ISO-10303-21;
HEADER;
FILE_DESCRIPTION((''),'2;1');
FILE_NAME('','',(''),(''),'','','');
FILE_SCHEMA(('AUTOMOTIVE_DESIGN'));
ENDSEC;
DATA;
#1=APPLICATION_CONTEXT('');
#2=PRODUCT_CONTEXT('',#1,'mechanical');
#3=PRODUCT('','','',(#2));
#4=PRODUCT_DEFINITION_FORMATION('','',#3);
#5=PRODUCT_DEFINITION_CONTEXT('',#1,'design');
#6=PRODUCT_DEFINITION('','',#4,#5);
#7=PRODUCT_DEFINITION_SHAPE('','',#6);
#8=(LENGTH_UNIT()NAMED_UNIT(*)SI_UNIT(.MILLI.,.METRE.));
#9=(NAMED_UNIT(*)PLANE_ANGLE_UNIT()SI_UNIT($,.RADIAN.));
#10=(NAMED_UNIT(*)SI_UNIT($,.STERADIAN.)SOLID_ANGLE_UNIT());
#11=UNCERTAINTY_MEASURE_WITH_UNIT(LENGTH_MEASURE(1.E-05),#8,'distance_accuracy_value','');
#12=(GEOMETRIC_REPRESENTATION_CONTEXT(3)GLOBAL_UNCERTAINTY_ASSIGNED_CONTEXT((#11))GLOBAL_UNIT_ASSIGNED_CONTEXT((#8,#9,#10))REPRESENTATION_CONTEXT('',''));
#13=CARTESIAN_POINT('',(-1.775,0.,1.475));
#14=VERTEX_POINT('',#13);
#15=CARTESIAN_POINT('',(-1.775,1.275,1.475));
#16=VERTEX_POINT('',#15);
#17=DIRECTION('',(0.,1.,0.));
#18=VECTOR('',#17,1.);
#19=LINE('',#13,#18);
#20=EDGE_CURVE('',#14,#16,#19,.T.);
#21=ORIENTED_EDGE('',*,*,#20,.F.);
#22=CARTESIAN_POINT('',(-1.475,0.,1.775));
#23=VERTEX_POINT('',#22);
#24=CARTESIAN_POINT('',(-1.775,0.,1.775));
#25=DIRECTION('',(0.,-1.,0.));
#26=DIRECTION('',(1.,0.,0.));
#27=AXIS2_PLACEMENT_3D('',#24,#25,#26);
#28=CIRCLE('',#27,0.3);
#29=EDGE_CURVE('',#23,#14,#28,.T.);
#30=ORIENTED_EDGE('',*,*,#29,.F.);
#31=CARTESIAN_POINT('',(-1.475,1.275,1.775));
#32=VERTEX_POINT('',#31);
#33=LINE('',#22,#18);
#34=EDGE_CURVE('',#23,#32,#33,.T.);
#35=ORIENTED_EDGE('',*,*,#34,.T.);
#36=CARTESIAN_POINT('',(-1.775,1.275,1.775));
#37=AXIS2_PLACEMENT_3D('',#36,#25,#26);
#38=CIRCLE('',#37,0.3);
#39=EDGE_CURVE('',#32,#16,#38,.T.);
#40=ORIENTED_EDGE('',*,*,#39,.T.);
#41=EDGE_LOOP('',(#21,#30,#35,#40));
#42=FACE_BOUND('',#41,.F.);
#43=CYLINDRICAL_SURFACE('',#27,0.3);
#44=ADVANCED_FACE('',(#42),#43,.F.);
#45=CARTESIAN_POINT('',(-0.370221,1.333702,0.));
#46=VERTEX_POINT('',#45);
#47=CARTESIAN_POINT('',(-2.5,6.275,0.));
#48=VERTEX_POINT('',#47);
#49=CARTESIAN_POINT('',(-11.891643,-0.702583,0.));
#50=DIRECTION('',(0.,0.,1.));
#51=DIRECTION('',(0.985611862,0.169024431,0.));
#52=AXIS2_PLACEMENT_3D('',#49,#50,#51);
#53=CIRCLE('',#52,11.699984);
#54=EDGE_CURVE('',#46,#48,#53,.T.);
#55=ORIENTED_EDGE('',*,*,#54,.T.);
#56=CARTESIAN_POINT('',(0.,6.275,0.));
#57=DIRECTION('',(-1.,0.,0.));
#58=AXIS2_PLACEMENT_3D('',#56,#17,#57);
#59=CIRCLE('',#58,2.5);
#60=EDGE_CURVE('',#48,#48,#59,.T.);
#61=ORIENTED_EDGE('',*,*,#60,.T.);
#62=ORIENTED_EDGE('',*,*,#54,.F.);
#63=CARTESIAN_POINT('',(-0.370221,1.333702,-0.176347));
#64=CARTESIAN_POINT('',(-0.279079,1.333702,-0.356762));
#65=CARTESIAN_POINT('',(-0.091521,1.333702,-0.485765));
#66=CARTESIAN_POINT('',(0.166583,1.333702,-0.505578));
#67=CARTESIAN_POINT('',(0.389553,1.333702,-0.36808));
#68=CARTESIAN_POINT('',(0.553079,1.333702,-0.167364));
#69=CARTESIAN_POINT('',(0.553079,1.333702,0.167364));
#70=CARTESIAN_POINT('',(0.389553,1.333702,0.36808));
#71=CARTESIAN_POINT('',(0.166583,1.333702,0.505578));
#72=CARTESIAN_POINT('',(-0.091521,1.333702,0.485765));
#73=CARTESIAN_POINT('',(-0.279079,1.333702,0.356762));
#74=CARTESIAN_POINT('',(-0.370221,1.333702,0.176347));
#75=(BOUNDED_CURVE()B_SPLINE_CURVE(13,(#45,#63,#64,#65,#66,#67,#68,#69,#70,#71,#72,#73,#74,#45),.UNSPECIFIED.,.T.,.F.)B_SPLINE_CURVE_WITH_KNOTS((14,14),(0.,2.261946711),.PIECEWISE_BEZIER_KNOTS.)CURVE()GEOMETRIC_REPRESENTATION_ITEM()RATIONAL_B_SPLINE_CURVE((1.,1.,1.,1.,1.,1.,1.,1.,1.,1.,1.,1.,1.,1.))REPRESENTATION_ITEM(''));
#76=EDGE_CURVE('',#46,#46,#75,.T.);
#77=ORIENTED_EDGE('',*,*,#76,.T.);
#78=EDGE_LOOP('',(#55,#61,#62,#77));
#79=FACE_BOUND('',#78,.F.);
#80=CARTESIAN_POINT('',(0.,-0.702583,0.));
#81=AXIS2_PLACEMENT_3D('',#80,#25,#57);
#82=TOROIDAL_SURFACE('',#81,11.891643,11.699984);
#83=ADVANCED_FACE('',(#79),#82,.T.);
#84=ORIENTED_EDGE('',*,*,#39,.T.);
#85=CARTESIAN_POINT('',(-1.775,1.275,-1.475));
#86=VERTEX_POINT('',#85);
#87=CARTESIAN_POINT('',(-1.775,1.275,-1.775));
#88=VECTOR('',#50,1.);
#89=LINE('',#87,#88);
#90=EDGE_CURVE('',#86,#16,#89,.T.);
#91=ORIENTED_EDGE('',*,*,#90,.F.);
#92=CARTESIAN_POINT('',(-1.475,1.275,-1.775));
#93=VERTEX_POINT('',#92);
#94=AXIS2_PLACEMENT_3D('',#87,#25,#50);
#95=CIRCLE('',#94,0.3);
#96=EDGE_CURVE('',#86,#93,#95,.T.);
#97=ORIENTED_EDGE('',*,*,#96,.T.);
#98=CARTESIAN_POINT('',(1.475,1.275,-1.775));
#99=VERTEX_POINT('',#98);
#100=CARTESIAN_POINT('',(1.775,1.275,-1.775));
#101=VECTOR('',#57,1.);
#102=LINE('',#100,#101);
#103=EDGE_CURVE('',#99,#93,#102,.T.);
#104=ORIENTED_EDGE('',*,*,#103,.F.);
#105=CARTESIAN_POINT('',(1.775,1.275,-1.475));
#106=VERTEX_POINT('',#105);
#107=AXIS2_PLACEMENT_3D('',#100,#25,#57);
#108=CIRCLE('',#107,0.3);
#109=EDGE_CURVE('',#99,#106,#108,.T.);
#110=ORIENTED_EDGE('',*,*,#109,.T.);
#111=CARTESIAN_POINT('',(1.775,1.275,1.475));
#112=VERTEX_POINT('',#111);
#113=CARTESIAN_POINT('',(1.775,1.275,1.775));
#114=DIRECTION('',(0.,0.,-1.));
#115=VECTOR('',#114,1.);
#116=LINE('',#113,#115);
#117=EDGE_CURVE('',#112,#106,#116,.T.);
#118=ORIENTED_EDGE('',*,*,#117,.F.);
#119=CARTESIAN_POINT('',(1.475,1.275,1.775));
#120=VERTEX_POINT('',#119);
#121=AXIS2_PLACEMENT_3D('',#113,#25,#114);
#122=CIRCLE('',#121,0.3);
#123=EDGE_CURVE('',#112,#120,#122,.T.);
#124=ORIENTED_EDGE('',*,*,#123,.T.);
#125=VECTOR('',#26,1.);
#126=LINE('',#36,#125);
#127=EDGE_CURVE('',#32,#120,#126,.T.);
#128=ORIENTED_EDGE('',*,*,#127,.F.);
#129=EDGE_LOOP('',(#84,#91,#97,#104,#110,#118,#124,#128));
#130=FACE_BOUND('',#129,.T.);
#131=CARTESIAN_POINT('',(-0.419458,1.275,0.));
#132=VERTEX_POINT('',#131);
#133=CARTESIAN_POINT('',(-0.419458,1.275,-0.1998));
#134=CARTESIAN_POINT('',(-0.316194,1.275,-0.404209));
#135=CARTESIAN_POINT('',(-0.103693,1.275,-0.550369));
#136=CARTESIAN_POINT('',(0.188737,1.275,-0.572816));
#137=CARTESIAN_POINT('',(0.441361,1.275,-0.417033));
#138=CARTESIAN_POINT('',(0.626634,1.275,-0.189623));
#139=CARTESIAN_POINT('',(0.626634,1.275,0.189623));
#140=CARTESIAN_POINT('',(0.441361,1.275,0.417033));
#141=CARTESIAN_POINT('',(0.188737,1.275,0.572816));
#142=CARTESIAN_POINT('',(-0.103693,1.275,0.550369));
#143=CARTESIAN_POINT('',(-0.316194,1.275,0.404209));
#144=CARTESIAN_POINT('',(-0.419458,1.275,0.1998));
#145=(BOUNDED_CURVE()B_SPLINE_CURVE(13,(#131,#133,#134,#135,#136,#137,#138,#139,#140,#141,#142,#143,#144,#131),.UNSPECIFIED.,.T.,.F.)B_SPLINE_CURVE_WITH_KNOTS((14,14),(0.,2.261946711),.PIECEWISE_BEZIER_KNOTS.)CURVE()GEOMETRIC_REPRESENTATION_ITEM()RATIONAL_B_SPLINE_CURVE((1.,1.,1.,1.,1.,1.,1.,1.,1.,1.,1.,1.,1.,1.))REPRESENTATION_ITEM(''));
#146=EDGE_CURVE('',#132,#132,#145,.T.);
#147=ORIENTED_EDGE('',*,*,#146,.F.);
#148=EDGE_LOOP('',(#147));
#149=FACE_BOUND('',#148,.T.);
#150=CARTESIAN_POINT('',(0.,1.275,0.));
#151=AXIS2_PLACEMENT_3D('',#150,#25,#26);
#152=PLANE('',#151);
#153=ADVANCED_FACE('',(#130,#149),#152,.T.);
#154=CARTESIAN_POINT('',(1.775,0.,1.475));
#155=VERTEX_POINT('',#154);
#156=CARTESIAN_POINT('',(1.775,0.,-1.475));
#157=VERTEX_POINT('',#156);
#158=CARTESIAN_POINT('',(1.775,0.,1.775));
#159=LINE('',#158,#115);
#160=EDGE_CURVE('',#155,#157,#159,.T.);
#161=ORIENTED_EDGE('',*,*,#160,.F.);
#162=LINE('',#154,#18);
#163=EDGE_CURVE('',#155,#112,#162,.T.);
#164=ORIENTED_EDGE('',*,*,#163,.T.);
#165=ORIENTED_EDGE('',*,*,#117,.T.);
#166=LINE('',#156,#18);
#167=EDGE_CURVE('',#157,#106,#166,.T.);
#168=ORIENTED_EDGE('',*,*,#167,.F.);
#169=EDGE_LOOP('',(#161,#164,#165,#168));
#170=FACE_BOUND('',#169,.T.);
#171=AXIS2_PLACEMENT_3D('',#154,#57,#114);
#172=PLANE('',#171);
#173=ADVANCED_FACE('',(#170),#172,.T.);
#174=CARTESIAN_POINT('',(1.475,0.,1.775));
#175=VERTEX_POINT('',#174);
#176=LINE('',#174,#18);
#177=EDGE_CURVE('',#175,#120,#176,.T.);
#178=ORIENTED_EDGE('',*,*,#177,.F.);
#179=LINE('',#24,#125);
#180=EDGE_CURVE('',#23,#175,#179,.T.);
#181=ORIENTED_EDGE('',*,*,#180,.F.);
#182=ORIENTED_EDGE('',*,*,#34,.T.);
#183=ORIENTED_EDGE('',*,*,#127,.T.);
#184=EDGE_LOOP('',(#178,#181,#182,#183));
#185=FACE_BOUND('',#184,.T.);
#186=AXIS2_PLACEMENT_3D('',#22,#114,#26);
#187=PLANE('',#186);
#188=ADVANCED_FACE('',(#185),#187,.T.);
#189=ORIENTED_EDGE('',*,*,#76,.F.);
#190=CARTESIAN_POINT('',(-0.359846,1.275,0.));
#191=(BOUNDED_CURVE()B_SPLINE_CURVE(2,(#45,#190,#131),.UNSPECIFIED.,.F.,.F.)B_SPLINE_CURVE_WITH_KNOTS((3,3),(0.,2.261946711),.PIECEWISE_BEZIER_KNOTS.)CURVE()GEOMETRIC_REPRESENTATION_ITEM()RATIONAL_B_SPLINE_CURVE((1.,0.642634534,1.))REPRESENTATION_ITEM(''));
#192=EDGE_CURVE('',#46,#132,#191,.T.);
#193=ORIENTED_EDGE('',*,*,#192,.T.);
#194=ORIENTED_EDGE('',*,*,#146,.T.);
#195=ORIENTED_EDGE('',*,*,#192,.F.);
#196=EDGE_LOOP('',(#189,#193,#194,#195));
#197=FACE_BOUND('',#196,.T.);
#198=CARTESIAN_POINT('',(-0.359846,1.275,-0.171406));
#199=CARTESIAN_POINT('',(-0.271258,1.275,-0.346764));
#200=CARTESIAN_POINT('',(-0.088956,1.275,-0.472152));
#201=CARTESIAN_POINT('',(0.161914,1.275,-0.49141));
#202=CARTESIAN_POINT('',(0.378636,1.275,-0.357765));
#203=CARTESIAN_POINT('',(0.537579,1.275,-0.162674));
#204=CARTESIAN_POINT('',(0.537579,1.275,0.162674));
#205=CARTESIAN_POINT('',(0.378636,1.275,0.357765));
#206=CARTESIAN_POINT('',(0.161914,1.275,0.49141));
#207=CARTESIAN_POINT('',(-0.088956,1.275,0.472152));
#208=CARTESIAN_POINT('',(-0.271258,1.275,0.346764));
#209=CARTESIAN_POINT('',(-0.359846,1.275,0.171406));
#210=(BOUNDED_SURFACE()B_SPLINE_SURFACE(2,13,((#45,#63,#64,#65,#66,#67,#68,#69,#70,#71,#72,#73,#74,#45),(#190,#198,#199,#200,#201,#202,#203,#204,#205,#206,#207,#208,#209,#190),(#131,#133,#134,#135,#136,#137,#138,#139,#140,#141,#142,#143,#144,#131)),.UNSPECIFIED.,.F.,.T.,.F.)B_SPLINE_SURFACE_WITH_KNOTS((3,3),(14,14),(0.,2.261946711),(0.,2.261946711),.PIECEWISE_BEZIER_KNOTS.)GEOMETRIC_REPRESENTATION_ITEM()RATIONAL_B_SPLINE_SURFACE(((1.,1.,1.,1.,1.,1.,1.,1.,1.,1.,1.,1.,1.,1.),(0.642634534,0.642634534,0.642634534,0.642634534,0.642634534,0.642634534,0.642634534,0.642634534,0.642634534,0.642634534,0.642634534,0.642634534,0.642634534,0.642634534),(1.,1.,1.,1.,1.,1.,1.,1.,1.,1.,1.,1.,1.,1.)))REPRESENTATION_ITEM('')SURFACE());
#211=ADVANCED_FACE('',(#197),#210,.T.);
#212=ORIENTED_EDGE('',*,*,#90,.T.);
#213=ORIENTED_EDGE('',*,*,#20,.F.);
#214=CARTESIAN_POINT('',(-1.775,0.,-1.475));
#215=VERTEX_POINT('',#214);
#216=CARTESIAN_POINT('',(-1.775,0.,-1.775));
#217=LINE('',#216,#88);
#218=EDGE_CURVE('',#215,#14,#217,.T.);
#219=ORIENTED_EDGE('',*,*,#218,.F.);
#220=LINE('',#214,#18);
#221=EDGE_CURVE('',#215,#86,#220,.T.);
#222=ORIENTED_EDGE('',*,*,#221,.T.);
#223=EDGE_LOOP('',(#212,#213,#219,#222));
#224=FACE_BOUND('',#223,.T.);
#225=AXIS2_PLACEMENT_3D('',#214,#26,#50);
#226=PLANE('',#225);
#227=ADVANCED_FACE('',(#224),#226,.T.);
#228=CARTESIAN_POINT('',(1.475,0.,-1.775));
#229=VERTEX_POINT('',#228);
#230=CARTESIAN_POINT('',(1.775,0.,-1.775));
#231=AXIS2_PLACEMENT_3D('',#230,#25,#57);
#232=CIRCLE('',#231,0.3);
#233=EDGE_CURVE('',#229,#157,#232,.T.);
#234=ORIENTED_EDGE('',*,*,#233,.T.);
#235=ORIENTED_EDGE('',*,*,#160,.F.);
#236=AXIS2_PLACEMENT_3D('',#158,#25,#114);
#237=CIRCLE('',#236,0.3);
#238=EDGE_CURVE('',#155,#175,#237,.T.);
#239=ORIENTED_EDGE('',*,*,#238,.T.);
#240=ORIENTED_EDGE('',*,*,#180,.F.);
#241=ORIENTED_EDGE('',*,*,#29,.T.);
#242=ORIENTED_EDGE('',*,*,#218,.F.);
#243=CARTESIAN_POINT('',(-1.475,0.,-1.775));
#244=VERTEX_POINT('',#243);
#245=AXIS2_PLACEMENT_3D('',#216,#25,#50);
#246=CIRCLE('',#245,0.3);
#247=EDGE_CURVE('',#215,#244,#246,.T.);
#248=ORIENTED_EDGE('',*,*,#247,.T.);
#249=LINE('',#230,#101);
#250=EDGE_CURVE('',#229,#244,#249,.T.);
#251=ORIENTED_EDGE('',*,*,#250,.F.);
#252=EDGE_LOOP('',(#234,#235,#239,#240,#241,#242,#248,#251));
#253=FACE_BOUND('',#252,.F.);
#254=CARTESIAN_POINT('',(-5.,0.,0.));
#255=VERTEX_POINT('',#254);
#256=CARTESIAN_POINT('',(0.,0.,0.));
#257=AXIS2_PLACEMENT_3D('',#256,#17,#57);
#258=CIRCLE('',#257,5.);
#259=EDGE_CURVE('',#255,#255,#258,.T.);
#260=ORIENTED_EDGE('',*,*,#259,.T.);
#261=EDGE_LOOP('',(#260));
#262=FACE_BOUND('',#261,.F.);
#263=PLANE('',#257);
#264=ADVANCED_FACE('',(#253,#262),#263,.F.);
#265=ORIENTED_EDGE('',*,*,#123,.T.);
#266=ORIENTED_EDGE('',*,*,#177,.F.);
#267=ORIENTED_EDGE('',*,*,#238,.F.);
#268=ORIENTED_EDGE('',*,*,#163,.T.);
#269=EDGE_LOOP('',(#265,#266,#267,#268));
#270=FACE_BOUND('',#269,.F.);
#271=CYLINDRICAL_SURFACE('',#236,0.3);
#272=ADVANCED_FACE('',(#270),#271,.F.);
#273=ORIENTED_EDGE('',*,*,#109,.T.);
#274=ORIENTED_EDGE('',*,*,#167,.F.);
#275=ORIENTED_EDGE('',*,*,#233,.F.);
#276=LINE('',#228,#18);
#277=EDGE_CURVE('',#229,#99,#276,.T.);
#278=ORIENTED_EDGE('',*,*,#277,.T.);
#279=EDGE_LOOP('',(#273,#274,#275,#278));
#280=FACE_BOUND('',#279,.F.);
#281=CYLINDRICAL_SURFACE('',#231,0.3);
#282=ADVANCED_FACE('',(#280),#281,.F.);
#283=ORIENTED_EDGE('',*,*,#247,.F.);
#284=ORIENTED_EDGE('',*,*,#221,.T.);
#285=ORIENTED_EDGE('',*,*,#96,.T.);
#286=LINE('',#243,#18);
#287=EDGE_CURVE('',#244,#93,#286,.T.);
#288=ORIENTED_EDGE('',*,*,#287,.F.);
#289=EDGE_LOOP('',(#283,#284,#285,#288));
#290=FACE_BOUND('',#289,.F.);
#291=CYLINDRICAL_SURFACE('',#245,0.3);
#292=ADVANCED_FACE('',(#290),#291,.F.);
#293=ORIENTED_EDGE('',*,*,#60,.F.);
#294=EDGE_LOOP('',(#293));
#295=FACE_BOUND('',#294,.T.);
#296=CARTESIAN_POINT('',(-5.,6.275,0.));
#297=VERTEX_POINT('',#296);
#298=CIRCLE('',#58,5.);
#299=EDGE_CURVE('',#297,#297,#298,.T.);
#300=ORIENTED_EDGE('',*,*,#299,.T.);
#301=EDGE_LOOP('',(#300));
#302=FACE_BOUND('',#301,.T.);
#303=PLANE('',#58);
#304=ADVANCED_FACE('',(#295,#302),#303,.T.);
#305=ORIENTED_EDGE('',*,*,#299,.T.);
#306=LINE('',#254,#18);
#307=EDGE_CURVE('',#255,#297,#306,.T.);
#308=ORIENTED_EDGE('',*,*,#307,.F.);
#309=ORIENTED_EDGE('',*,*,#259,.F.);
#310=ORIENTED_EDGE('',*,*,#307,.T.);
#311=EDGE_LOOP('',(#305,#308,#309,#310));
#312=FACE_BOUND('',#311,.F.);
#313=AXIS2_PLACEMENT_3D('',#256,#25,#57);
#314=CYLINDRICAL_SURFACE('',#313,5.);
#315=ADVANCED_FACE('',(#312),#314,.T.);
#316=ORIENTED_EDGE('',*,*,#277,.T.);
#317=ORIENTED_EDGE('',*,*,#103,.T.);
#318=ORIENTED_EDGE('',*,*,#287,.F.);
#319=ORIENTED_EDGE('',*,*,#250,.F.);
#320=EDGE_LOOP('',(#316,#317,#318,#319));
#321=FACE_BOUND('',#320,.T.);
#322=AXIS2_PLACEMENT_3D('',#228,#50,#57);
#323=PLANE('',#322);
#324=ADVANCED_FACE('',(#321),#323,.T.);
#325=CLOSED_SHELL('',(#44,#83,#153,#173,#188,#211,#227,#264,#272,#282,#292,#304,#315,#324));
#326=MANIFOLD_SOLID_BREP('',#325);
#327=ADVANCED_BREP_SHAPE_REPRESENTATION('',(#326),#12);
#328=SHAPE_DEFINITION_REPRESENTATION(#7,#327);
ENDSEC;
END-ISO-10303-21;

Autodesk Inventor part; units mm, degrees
ref_plane "YZ Plane" through (0, 0, 0) normal (1, 0, 0) x (0, 1, 0)
ref_plane "XZ Plane" through (0, 0, 0) normal (0, 1, 0) x (-1, 0, 0)
ref_plane "XY Plane" through (0, 0, 0) normal (0, 0, 1) x (1, 0, 0)
sketch "Sketch1" plane through (0, 0, 0) normal (0, 1, 0) x (-1, 0, 0)
  circle A0 centre (0, 0) radius 0.36
  circle A1 centre (0, 0) radius 5
  dimension "d2" = 10
  dimension "d24" = 0.72
extrude "Extrusion1" add sketch "Sketch1" along normal blind 6.275
sketch "Sketch2" plane through (0, 6.275, 0) normal (0, 1, 0) x (1, 0, 0)
  circle A0 centre (0, 0) radius 2.5
  dimension "d10" = 5
sketch "Sketch3" plane through (0, 0, 0) normal (0, -1, 0) x (1, 0, 0)
  line L0 (-1.775, 1.775) -> (1.775, 1.775)
  line L1 (1.775, 1.775) -> (1.775, -1.775)
  line L2 (1.775, -1.775) -> (-1.775, -1.775)
  line L3 (-1.775, -1.775) -> (-1.775, 1.775)
  line L4 (-1.775, 1.775) -> (1.775, -1.775) construction
  line L5 (1.775, 1.775) -> (-1.775, -1.775) construction
  arc A0 (1.775, 1.475) -> (1.475, 1.775) centre (1.775, 1.775) ccw
  arc A1 (1.475, -1.775) -> (1.775, -1.475) centre (1.775, -1.775) ccw
  arc A2 (-1.775, -1.475) -> (-1.475, -1.775) centre (-1.775, -1.775) ccw
  arc A3 (-1.475, 1.775) -> (-1.775, 1.475) centre (-1.775, 1.775) ccw
  point P0 (0, 0)
  dimension "d11" = 0.3
  dimension "d12" = 3.55
extrude "Extrusion2" cut sketch "Sketch3" against normal blind 1.275
sketch "Sketch5" plane through (0, 0, 0) normal (0, 0, 1) x (1, 0, 0)
  line L0 (-0.36, 1.275) -> (0.36, 1.275) projected
  line L1 (5, 6.275) -> (-5, 6.275) projected
  arc A0 (-0.36, 1.275) -> (-2.5, 6.275) centre (-11.8917, -0.7026) ccw
  line L2 (0, 1.275) -> (0, 6.275)
  line L3 (0.36, 1.275) -> (0, 1.275)
  line L4 (0.36, 6.275) -> (0.36, 1.275) projected
  line L5 (0.36, 6.275) -> (-2.5, 6.275)
  point P0 (0, 0)
  dimension "d17" = 2.5
  dimension "d23" = 11.7
revolve "Revolution1" cut sketch "Sketch5" angle 360 about axis through (0, 1.275, 0) along (0, 1, 0) contours A0 L1 L2 L0
fillet "Fillet1" radius 0.05 1 edges at (0.36, 1.275, 0)
properties part number "Acoustic Horn 30deg V1"
